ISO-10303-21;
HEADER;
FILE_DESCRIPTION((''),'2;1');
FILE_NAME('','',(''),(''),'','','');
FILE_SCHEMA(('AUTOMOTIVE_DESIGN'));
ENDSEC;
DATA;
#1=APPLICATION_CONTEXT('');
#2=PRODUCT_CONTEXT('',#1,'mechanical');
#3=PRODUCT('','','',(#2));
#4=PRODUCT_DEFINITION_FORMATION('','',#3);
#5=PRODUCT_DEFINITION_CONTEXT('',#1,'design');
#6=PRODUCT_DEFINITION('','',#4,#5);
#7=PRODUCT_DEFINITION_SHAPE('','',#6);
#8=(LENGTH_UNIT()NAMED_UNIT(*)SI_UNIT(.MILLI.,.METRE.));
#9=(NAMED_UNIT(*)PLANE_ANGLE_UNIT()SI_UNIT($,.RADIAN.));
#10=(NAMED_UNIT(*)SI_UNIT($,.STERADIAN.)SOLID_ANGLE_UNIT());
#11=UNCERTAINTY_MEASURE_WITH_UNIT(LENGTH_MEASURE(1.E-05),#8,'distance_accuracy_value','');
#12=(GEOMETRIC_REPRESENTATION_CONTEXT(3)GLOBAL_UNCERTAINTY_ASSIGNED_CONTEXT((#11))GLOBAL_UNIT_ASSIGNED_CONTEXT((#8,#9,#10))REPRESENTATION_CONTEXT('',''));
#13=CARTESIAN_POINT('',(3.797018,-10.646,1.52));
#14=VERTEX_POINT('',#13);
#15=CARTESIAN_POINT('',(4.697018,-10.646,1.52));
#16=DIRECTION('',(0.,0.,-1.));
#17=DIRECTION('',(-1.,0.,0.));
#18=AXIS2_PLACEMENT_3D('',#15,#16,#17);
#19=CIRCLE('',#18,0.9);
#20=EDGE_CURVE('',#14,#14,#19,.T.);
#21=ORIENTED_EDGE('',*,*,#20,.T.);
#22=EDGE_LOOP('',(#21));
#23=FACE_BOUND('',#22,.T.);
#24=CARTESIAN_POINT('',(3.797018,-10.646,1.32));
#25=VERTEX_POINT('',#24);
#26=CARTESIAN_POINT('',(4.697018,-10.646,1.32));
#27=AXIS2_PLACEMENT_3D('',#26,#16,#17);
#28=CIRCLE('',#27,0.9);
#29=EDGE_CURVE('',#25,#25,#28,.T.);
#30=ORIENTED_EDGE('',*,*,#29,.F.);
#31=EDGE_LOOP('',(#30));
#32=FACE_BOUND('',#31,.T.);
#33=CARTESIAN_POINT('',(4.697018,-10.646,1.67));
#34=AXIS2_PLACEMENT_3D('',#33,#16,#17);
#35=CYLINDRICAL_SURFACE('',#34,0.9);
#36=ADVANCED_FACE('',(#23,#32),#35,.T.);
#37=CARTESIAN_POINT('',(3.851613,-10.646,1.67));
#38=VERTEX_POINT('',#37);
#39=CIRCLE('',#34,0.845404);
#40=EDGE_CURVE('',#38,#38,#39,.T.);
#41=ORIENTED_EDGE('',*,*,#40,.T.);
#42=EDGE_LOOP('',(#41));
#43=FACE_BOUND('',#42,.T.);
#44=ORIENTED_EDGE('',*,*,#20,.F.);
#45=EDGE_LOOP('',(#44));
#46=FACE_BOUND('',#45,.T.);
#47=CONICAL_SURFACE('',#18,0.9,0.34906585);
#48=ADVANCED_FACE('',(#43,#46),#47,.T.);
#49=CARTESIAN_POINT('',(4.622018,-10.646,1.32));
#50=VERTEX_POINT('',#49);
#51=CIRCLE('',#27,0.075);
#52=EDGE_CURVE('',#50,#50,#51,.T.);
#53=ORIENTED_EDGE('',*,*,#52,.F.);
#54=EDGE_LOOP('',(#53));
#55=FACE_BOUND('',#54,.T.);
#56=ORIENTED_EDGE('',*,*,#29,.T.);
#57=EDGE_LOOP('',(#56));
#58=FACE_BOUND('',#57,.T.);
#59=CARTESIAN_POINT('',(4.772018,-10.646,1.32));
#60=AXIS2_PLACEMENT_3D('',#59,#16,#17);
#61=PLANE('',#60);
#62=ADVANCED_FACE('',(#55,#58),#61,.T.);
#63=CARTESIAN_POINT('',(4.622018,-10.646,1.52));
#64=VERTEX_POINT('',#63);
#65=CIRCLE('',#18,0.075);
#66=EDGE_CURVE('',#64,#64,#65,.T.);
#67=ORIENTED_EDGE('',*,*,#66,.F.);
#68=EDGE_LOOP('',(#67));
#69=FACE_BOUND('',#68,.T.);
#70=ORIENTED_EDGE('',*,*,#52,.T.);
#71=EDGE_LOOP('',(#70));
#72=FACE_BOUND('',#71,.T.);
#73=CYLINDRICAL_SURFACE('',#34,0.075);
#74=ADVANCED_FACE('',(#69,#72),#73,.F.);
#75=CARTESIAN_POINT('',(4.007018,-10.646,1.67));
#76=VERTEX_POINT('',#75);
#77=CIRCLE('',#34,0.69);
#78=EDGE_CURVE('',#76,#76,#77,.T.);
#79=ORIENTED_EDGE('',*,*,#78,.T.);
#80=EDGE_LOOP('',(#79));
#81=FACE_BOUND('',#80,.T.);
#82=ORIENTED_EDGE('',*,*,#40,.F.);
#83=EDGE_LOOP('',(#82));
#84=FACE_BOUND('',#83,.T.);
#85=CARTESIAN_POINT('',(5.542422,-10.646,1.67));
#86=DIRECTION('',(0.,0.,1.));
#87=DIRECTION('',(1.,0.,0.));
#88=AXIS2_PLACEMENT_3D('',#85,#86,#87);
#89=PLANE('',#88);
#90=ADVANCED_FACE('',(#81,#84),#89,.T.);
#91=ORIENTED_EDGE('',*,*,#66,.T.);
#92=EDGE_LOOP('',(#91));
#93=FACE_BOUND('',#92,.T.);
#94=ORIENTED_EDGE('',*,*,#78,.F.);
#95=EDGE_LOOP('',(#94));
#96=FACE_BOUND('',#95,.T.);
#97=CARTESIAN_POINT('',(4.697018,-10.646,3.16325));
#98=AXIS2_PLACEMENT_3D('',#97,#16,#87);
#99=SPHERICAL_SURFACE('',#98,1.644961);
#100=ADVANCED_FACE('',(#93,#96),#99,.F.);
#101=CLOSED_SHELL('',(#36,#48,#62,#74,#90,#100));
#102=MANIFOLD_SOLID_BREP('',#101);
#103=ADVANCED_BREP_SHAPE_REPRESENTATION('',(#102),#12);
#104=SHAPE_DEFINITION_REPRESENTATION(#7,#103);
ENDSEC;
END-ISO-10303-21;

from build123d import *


with BuildPart() as part:
    # Sketch1 → Revolve1 (revolve)
    with BuildSketch(Plane.XZ.offset(10.646000252)):
        with BuildLine():
            Line((5.597017702, 1.52), (5.542422167, 1.67))
            Line((5.542422167, 1.67), (5.387017702, 1.67))
            ThreePointArc((5.387017702, 1.67), (5.086801296, 1.565137265), (4.772017702, 1.52))
            Line((4.772017702, 1.52), (4.772017702, 1.32))
            Line((4.772017702, 1.32), (5.597017702, 1.32))
            Line((5.597017702, 1.32), (5.597017702, 1.52))
        make_face()
    revolve(axis=Axis((4.697017702, -10.646000252, 1.67), (0, 0, -1)))


solid = part.part
